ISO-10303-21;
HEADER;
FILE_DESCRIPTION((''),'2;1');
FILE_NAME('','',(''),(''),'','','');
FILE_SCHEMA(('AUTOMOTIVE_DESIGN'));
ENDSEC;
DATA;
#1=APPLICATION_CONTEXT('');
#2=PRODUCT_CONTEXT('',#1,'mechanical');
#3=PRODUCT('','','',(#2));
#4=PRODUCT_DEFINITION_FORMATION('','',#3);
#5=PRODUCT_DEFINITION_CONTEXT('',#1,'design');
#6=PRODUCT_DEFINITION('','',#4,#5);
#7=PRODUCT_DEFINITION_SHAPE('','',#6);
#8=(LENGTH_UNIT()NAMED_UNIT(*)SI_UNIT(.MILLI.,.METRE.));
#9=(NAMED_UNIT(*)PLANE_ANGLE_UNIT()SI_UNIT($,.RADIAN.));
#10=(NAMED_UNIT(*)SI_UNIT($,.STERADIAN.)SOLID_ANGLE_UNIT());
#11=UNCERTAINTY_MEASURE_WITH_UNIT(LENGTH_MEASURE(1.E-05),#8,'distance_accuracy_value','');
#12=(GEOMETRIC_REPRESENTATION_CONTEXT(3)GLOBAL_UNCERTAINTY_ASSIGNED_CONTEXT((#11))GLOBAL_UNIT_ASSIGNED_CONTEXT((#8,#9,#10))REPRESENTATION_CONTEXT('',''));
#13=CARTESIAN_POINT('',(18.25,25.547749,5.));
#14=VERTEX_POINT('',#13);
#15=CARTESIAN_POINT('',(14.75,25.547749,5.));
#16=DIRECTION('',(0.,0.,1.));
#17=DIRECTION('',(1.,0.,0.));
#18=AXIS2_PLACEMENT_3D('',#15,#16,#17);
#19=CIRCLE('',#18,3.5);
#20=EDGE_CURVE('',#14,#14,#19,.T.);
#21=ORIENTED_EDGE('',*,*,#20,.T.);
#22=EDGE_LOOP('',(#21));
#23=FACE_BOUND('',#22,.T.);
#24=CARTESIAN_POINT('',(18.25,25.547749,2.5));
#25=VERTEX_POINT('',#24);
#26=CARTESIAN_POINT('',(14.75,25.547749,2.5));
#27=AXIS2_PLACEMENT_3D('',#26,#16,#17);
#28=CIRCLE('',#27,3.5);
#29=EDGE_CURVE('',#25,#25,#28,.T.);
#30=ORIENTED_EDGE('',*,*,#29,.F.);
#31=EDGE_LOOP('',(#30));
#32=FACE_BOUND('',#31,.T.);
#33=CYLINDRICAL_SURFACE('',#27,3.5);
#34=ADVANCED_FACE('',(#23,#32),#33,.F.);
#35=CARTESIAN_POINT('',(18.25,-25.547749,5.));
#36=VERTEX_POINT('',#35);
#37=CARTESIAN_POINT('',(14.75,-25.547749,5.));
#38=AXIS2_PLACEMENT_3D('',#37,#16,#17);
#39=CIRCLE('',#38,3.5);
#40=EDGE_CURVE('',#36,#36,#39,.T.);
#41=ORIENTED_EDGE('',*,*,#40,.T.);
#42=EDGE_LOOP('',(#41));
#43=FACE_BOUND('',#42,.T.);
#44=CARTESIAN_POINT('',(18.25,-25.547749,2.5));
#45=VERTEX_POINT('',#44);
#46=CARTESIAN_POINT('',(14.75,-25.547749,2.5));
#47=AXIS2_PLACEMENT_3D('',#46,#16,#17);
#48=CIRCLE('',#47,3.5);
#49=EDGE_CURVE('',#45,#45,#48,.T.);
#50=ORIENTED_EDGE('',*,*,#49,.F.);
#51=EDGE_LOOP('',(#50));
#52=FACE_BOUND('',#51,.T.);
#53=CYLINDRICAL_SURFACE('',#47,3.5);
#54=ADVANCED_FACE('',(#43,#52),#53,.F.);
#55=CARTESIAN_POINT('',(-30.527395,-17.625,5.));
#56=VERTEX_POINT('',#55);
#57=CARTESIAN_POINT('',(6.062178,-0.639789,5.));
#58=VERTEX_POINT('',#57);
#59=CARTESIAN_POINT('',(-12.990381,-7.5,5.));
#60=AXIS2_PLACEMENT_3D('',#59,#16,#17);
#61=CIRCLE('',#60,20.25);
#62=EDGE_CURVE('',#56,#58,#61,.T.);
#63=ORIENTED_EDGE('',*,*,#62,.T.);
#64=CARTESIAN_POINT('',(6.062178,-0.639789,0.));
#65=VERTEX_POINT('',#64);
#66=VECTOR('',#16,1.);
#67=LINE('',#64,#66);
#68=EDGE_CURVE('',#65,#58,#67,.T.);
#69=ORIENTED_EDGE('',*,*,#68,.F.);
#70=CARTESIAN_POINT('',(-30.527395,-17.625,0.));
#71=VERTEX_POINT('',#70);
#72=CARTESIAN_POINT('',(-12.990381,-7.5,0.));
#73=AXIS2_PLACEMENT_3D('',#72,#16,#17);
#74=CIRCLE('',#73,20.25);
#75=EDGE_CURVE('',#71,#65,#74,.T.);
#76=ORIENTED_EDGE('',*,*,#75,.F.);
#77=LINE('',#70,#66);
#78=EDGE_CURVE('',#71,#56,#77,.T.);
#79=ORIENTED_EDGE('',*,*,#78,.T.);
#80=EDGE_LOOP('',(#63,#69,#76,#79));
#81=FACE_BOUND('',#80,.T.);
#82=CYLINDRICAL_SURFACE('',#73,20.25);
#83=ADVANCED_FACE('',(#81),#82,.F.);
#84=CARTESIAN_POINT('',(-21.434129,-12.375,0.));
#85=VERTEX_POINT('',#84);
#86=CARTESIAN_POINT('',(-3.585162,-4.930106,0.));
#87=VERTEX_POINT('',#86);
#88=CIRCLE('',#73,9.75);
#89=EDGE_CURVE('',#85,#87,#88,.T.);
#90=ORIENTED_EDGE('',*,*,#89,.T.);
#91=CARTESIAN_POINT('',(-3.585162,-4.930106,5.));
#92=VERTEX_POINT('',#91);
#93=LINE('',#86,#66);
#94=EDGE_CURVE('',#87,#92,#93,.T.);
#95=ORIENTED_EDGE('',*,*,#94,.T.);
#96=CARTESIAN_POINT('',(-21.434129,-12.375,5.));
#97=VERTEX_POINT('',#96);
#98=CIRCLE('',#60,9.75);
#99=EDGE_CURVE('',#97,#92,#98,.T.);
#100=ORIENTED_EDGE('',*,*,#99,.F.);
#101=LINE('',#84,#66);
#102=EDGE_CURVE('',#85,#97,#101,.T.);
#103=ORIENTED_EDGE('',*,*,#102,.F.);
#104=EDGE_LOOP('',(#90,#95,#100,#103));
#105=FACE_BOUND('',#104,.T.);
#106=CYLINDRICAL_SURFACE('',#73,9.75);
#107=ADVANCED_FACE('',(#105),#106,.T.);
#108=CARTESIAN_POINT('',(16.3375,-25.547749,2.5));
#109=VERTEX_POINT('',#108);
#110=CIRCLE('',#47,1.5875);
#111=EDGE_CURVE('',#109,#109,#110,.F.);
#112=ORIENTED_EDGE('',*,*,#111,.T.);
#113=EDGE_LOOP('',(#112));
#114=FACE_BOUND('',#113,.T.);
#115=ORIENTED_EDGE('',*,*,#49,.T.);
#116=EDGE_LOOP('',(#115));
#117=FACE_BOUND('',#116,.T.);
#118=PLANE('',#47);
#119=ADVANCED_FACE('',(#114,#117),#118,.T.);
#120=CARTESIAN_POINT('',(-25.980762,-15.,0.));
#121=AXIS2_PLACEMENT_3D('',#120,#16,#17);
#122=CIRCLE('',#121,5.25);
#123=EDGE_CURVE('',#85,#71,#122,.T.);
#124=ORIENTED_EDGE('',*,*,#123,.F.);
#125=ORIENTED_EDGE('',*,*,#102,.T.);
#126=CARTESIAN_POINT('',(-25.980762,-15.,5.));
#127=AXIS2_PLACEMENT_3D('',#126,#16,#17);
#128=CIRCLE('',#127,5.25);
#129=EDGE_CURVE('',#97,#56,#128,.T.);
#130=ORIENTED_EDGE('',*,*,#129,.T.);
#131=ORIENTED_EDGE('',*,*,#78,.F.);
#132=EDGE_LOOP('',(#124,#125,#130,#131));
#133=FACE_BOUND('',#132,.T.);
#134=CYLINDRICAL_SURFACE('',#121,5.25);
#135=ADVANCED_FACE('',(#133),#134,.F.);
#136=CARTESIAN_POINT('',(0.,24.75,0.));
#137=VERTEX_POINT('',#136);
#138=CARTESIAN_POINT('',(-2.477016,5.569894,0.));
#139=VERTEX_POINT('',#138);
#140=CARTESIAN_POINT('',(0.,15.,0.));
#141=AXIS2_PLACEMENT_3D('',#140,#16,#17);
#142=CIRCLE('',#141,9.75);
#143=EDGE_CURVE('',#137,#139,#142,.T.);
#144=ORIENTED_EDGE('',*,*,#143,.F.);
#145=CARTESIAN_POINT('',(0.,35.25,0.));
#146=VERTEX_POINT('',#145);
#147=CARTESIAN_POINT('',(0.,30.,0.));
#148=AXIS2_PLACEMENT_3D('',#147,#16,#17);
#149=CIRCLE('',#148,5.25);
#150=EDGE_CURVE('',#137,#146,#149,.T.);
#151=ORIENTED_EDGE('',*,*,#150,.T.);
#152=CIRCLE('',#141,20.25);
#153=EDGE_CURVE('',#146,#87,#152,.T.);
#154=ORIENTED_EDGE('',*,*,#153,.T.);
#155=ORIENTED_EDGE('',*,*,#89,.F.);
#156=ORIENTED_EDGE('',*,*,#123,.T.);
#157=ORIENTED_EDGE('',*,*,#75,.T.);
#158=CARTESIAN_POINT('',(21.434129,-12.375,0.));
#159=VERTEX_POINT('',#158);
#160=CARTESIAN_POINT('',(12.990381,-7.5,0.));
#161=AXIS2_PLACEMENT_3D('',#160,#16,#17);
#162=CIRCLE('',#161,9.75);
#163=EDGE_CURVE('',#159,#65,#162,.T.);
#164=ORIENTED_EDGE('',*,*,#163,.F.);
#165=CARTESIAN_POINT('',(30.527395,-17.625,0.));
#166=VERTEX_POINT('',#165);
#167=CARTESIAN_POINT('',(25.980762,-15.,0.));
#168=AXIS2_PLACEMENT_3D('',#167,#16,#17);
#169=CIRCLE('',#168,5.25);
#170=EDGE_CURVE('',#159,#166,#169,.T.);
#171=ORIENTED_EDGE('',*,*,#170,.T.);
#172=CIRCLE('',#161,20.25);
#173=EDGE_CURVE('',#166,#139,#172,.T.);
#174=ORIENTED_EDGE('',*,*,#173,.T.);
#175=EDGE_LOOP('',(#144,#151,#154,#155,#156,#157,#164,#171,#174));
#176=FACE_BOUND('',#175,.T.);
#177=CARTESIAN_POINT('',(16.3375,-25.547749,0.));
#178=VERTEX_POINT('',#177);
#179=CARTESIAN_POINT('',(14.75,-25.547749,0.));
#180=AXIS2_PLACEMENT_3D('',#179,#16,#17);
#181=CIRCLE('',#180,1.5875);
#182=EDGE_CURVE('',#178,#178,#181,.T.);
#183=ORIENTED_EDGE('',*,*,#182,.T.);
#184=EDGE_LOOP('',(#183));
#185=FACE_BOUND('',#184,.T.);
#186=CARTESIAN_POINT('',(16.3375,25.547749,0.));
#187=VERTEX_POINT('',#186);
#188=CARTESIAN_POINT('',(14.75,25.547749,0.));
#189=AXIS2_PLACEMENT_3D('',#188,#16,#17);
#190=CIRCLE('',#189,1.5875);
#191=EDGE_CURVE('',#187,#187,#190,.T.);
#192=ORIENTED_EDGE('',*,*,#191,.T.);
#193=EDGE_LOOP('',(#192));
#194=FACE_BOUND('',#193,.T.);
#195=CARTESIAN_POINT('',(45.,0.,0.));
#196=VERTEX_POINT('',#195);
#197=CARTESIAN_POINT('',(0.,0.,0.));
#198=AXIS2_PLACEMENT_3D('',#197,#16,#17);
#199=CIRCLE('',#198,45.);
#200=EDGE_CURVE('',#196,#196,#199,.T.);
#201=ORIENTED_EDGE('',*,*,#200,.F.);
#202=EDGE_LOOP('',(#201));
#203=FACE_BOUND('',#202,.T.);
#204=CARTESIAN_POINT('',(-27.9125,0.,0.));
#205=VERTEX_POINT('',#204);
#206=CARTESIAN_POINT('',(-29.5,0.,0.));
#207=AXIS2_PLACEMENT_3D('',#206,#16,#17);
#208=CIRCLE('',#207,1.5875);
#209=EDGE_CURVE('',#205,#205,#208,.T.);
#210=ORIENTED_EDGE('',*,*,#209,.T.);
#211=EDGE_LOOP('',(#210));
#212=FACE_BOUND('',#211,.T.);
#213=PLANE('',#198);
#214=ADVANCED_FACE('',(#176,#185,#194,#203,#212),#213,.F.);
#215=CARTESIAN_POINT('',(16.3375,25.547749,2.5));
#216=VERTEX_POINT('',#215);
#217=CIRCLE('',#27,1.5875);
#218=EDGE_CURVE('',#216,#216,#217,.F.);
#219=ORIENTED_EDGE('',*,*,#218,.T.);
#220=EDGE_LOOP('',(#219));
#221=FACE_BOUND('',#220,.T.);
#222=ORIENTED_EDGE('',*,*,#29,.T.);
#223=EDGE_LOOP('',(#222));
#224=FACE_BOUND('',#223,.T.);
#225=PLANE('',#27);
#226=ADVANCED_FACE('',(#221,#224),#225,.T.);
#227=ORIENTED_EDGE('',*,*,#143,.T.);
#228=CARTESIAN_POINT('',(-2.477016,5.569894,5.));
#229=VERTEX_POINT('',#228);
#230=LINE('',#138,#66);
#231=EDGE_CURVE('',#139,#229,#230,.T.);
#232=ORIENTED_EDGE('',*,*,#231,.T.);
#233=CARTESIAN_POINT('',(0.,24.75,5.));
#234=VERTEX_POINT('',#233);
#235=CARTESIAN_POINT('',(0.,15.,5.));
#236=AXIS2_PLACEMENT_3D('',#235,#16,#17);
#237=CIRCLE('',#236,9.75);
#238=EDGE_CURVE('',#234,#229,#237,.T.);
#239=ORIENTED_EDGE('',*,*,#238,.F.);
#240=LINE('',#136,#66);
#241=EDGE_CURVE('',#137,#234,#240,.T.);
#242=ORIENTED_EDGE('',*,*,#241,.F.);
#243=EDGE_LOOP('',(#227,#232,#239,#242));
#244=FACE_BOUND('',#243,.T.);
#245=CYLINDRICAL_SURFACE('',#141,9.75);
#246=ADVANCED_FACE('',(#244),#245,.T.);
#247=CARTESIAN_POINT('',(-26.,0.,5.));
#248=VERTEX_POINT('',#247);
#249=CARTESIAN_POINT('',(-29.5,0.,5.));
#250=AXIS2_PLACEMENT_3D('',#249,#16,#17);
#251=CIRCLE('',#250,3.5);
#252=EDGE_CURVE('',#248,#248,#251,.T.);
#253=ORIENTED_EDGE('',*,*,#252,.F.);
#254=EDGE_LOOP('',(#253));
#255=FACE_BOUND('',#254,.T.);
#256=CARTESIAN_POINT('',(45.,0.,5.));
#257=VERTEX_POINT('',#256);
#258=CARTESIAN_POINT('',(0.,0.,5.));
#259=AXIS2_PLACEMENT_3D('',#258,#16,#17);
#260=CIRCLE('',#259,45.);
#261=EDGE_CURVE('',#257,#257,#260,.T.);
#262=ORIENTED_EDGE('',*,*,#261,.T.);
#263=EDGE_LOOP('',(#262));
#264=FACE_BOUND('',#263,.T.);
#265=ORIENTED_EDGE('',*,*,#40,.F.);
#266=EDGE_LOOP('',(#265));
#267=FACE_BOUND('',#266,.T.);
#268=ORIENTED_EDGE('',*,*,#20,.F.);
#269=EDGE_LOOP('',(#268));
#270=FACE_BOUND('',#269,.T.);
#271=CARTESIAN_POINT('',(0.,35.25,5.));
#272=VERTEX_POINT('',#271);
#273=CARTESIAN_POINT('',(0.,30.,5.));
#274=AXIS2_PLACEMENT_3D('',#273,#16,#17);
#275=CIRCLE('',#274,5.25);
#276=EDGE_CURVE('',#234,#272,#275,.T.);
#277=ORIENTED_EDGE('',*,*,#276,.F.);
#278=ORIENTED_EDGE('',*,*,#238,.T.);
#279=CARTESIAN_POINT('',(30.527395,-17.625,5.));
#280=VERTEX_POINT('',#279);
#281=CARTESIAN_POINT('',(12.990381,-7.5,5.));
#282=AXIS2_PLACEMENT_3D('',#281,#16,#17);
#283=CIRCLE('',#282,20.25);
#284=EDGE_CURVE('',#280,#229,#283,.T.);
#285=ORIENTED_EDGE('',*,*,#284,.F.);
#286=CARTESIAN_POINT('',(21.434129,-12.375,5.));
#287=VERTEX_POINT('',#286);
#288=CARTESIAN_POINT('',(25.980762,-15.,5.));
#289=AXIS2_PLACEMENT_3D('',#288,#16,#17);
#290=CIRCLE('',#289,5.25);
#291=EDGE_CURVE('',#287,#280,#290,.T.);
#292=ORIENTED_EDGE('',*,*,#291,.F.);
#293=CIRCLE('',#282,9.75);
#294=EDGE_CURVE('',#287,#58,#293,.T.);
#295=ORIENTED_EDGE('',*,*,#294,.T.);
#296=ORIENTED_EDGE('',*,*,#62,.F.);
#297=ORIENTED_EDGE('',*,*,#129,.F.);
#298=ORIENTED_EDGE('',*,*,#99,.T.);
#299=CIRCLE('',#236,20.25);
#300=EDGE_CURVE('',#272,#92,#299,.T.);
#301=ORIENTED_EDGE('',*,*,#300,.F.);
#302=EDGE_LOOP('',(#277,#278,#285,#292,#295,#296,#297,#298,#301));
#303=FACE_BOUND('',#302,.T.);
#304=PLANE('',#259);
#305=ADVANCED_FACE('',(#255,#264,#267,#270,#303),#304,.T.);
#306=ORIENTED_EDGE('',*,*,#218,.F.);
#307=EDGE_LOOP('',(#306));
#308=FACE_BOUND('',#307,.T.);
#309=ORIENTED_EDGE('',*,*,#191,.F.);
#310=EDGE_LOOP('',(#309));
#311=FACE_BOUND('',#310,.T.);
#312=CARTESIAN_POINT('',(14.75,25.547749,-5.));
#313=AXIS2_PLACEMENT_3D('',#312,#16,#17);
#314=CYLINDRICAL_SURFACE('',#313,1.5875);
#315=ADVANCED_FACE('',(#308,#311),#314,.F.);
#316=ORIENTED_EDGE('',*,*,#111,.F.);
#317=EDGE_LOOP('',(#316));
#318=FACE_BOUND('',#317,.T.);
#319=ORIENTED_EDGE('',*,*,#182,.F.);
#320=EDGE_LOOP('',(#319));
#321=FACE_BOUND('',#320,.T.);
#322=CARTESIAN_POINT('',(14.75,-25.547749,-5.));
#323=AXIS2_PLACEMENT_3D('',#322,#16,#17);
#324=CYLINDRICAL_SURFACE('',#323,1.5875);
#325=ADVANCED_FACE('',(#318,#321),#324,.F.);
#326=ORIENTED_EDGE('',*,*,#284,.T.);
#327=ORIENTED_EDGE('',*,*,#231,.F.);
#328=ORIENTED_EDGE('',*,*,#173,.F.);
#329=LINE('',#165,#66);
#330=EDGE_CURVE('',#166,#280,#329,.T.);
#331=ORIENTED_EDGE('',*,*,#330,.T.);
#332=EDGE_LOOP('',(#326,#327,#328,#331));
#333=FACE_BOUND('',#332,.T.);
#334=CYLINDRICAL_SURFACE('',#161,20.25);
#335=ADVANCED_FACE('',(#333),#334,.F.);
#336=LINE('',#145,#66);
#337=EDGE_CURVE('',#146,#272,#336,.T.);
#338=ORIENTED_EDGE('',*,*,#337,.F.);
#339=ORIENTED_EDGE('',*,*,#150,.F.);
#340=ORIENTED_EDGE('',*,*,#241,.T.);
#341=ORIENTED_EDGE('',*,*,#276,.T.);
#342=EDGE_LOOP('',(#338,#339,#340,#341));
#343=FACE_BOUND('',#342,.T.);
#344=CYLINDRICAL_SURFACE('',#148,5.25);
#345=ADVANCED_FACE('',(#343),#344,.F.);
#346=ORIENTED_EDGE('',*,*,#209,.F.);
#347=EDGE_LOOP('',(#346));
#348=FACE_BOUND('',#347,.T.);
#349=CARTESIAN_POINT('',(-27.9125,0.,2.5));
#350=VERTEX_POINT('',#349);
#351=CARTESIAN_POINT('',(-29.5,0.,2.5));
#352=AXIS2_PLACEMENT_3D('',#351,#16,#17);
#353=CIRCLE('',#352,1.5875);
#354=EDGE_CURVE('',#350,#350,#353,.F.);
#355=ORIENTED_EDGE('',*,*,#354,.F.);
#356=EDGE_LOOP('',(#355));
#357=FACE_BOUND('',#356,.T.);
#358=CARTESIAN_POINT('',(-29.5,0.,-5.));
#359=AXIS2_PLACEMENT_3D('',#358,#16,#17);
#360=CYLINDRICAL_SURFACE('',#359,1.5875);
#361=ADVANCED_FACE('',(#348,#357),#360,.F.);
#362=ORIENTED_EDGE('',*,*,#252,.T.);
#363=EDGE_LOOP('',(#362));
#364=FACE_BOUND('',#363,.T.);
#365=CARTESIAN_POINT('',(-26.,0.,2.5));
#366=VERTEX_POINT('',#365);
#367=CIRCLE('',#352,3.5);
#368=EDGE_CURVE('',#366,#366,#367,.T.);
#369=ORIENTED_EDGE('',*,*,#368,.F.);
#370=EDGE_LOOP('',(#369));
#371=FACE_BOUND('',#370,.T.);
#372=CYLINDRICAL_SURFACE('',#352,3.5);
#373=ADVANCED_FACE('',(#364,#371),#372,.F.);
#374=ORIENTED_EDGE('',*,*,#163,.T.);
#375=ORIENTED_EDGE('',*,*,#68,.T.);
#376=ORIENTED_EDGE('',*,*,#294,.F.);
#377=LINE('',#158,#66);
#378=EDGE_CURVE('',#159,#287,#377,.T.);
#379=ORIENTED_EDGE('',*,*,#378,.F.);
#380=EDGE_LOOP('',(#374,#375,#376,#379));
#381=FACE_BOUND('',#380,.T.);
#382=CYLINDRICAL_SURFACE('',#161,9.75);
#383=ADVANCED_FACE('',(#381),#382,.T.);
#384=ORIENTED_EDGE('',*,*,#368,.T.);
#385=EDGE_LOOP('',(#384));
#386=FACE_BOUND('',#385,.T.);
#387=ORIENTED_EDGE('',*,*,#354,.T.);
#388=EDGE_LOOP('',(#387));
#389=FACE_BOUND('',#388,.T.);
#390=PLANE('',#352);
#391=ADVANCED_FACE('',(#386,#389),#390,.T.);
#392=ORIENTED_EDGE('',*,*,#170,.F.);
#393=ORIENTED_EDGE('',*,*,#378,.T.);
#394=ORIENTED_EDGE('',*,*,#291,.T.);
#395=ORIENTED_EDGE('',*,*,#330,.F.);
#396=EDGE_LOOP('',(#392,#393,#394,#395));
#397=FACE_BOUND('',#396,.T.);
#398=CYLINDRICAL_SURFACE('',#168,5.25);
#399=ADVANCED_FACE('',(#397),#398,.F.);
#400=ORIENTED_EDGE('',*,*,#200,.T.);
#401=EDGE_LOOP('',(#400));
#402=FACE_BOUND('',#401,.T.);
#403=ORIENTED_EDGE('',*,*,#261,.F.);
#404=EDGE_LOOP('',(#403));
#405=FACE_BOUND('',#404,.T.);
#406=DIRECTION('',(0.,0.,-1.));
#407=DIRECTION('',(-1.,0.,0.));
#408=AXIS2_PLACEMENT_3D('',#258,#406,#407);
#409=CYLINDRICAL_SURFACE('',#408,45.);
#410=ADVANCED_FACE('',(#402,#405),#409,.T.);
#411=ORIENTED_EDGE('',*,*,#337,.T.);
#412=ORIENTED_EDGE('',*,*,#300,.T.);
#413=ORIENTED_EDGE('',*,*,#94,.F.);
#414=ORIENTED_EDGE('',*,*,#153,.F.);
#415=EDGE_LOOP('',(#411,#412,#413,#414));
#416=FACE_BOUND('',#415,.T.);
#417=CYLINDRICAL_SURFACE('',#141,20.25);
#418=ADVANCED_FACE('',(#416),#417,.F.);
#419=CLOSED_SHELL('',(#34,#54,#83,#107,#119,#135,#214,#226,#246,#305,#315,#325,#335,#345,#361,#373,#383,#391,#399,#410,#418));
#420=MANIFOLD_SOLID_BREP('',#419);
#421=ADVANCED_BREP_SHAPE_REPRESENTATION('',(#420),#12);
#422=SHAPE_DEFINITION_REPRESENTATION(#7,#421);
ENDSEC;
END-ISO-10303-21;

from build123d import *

# Parameters (mm, degrees)
CROQUIS1_R            = 45
DISCO_DEPTH           = 5
PATR_NGIRO_DEPTH      = 64.835726674
CROQUIS7_R            = 1.5875
BARRENOSEJES_DEPTH    = 10
CROQUIS8_R            = 3.5
CORTAR_EXTRUIR5_DEPTH = 2.5


with BuildPart() as part:
    # Croquis1 → Disco (new body)
    with BuildSketch(Plane.XY):
        Circle(CROQUIS1_R)
    extrude(amount=DISCO_DEPTH)

    # Croquis6 → PatrónGiro (cut, through all)
    with BuildSketch(Plane.XY.offset(5)):
        with BuildLine():
            ThreePointArc((-30.527395483, -17.625), (-4.464035413, -25.86746934), (6.062177826, -0.639788633))
            ThreePointArc((6.062177826, -0.639788633), (18.906715666, 0.249805468), (21.434128744, -12.375))
            ThreePointArc((21.434128744, -12.375), (23.355762114, -19.54663337), (30.527395483, -17.625))
            ThreePointArc((30.527395483, -17.625), (24.633903286, 9.067766599), (-2.477015704, 5.569894316))
            ThreePointArc((-2.477015704, 5.569894316), (-9.669695714, 16.248793335), (0, 24.75))
            ThreePointArc((0, 24.75), (5.25, 30), (0, 35.25))
            ThreePointArc((0, 35.25), (-20.169867874, 16.799702741), (-3.585162122, -4.930105684))
            ThreePointArc((-3.585162122, -4.930105684), (-9.237019952, -16.498598803), (-21.434128744, -12.375))
            ThreePointArc((-21.434128744, -12.375), (-28.605762114, -10.45336663), (-30.527395483, -17.625))
        make_face()
    extrude(amount=-PATR_NGIRO_DEPTH, mode=Mode.SUBTRACT)

    # Croquis7 → BarrenosEjes (cut)
    with BuildSketch(Plane.XY.offset(5)):
        with Locations((-29.5, 0)):
            Circle(CROQUIS7_R)
        with Locations((14.75, 25.547749412)):
            Circle(CROQUIS7_R)
        with Locations((14.75, -25.547749412)):
            Circle(CROQUIS7_R)
    extrude(amount=-BARRENOSEJES_DEPTH, mode=Mode.SUBTRACT)

    # Croquis8 → Cortar-Extruir5 (cut)
    with BuildSketch(Plane.XY.offset(5)):
        with Locations((-29.5, 0)):
            Circle(CROQUIS8_R)
        with Locations((14.75, -25.547749412)):
            Circle(CROQUIS8_R)
        with Locations((14.75, 25.547749412)):
            Circle(CROQUIS8_R)
    extrude(amount=-CORTAR_EXTRUIR5_DEPTH, mode=Mode.SUBTRACT)


solid = part.part
